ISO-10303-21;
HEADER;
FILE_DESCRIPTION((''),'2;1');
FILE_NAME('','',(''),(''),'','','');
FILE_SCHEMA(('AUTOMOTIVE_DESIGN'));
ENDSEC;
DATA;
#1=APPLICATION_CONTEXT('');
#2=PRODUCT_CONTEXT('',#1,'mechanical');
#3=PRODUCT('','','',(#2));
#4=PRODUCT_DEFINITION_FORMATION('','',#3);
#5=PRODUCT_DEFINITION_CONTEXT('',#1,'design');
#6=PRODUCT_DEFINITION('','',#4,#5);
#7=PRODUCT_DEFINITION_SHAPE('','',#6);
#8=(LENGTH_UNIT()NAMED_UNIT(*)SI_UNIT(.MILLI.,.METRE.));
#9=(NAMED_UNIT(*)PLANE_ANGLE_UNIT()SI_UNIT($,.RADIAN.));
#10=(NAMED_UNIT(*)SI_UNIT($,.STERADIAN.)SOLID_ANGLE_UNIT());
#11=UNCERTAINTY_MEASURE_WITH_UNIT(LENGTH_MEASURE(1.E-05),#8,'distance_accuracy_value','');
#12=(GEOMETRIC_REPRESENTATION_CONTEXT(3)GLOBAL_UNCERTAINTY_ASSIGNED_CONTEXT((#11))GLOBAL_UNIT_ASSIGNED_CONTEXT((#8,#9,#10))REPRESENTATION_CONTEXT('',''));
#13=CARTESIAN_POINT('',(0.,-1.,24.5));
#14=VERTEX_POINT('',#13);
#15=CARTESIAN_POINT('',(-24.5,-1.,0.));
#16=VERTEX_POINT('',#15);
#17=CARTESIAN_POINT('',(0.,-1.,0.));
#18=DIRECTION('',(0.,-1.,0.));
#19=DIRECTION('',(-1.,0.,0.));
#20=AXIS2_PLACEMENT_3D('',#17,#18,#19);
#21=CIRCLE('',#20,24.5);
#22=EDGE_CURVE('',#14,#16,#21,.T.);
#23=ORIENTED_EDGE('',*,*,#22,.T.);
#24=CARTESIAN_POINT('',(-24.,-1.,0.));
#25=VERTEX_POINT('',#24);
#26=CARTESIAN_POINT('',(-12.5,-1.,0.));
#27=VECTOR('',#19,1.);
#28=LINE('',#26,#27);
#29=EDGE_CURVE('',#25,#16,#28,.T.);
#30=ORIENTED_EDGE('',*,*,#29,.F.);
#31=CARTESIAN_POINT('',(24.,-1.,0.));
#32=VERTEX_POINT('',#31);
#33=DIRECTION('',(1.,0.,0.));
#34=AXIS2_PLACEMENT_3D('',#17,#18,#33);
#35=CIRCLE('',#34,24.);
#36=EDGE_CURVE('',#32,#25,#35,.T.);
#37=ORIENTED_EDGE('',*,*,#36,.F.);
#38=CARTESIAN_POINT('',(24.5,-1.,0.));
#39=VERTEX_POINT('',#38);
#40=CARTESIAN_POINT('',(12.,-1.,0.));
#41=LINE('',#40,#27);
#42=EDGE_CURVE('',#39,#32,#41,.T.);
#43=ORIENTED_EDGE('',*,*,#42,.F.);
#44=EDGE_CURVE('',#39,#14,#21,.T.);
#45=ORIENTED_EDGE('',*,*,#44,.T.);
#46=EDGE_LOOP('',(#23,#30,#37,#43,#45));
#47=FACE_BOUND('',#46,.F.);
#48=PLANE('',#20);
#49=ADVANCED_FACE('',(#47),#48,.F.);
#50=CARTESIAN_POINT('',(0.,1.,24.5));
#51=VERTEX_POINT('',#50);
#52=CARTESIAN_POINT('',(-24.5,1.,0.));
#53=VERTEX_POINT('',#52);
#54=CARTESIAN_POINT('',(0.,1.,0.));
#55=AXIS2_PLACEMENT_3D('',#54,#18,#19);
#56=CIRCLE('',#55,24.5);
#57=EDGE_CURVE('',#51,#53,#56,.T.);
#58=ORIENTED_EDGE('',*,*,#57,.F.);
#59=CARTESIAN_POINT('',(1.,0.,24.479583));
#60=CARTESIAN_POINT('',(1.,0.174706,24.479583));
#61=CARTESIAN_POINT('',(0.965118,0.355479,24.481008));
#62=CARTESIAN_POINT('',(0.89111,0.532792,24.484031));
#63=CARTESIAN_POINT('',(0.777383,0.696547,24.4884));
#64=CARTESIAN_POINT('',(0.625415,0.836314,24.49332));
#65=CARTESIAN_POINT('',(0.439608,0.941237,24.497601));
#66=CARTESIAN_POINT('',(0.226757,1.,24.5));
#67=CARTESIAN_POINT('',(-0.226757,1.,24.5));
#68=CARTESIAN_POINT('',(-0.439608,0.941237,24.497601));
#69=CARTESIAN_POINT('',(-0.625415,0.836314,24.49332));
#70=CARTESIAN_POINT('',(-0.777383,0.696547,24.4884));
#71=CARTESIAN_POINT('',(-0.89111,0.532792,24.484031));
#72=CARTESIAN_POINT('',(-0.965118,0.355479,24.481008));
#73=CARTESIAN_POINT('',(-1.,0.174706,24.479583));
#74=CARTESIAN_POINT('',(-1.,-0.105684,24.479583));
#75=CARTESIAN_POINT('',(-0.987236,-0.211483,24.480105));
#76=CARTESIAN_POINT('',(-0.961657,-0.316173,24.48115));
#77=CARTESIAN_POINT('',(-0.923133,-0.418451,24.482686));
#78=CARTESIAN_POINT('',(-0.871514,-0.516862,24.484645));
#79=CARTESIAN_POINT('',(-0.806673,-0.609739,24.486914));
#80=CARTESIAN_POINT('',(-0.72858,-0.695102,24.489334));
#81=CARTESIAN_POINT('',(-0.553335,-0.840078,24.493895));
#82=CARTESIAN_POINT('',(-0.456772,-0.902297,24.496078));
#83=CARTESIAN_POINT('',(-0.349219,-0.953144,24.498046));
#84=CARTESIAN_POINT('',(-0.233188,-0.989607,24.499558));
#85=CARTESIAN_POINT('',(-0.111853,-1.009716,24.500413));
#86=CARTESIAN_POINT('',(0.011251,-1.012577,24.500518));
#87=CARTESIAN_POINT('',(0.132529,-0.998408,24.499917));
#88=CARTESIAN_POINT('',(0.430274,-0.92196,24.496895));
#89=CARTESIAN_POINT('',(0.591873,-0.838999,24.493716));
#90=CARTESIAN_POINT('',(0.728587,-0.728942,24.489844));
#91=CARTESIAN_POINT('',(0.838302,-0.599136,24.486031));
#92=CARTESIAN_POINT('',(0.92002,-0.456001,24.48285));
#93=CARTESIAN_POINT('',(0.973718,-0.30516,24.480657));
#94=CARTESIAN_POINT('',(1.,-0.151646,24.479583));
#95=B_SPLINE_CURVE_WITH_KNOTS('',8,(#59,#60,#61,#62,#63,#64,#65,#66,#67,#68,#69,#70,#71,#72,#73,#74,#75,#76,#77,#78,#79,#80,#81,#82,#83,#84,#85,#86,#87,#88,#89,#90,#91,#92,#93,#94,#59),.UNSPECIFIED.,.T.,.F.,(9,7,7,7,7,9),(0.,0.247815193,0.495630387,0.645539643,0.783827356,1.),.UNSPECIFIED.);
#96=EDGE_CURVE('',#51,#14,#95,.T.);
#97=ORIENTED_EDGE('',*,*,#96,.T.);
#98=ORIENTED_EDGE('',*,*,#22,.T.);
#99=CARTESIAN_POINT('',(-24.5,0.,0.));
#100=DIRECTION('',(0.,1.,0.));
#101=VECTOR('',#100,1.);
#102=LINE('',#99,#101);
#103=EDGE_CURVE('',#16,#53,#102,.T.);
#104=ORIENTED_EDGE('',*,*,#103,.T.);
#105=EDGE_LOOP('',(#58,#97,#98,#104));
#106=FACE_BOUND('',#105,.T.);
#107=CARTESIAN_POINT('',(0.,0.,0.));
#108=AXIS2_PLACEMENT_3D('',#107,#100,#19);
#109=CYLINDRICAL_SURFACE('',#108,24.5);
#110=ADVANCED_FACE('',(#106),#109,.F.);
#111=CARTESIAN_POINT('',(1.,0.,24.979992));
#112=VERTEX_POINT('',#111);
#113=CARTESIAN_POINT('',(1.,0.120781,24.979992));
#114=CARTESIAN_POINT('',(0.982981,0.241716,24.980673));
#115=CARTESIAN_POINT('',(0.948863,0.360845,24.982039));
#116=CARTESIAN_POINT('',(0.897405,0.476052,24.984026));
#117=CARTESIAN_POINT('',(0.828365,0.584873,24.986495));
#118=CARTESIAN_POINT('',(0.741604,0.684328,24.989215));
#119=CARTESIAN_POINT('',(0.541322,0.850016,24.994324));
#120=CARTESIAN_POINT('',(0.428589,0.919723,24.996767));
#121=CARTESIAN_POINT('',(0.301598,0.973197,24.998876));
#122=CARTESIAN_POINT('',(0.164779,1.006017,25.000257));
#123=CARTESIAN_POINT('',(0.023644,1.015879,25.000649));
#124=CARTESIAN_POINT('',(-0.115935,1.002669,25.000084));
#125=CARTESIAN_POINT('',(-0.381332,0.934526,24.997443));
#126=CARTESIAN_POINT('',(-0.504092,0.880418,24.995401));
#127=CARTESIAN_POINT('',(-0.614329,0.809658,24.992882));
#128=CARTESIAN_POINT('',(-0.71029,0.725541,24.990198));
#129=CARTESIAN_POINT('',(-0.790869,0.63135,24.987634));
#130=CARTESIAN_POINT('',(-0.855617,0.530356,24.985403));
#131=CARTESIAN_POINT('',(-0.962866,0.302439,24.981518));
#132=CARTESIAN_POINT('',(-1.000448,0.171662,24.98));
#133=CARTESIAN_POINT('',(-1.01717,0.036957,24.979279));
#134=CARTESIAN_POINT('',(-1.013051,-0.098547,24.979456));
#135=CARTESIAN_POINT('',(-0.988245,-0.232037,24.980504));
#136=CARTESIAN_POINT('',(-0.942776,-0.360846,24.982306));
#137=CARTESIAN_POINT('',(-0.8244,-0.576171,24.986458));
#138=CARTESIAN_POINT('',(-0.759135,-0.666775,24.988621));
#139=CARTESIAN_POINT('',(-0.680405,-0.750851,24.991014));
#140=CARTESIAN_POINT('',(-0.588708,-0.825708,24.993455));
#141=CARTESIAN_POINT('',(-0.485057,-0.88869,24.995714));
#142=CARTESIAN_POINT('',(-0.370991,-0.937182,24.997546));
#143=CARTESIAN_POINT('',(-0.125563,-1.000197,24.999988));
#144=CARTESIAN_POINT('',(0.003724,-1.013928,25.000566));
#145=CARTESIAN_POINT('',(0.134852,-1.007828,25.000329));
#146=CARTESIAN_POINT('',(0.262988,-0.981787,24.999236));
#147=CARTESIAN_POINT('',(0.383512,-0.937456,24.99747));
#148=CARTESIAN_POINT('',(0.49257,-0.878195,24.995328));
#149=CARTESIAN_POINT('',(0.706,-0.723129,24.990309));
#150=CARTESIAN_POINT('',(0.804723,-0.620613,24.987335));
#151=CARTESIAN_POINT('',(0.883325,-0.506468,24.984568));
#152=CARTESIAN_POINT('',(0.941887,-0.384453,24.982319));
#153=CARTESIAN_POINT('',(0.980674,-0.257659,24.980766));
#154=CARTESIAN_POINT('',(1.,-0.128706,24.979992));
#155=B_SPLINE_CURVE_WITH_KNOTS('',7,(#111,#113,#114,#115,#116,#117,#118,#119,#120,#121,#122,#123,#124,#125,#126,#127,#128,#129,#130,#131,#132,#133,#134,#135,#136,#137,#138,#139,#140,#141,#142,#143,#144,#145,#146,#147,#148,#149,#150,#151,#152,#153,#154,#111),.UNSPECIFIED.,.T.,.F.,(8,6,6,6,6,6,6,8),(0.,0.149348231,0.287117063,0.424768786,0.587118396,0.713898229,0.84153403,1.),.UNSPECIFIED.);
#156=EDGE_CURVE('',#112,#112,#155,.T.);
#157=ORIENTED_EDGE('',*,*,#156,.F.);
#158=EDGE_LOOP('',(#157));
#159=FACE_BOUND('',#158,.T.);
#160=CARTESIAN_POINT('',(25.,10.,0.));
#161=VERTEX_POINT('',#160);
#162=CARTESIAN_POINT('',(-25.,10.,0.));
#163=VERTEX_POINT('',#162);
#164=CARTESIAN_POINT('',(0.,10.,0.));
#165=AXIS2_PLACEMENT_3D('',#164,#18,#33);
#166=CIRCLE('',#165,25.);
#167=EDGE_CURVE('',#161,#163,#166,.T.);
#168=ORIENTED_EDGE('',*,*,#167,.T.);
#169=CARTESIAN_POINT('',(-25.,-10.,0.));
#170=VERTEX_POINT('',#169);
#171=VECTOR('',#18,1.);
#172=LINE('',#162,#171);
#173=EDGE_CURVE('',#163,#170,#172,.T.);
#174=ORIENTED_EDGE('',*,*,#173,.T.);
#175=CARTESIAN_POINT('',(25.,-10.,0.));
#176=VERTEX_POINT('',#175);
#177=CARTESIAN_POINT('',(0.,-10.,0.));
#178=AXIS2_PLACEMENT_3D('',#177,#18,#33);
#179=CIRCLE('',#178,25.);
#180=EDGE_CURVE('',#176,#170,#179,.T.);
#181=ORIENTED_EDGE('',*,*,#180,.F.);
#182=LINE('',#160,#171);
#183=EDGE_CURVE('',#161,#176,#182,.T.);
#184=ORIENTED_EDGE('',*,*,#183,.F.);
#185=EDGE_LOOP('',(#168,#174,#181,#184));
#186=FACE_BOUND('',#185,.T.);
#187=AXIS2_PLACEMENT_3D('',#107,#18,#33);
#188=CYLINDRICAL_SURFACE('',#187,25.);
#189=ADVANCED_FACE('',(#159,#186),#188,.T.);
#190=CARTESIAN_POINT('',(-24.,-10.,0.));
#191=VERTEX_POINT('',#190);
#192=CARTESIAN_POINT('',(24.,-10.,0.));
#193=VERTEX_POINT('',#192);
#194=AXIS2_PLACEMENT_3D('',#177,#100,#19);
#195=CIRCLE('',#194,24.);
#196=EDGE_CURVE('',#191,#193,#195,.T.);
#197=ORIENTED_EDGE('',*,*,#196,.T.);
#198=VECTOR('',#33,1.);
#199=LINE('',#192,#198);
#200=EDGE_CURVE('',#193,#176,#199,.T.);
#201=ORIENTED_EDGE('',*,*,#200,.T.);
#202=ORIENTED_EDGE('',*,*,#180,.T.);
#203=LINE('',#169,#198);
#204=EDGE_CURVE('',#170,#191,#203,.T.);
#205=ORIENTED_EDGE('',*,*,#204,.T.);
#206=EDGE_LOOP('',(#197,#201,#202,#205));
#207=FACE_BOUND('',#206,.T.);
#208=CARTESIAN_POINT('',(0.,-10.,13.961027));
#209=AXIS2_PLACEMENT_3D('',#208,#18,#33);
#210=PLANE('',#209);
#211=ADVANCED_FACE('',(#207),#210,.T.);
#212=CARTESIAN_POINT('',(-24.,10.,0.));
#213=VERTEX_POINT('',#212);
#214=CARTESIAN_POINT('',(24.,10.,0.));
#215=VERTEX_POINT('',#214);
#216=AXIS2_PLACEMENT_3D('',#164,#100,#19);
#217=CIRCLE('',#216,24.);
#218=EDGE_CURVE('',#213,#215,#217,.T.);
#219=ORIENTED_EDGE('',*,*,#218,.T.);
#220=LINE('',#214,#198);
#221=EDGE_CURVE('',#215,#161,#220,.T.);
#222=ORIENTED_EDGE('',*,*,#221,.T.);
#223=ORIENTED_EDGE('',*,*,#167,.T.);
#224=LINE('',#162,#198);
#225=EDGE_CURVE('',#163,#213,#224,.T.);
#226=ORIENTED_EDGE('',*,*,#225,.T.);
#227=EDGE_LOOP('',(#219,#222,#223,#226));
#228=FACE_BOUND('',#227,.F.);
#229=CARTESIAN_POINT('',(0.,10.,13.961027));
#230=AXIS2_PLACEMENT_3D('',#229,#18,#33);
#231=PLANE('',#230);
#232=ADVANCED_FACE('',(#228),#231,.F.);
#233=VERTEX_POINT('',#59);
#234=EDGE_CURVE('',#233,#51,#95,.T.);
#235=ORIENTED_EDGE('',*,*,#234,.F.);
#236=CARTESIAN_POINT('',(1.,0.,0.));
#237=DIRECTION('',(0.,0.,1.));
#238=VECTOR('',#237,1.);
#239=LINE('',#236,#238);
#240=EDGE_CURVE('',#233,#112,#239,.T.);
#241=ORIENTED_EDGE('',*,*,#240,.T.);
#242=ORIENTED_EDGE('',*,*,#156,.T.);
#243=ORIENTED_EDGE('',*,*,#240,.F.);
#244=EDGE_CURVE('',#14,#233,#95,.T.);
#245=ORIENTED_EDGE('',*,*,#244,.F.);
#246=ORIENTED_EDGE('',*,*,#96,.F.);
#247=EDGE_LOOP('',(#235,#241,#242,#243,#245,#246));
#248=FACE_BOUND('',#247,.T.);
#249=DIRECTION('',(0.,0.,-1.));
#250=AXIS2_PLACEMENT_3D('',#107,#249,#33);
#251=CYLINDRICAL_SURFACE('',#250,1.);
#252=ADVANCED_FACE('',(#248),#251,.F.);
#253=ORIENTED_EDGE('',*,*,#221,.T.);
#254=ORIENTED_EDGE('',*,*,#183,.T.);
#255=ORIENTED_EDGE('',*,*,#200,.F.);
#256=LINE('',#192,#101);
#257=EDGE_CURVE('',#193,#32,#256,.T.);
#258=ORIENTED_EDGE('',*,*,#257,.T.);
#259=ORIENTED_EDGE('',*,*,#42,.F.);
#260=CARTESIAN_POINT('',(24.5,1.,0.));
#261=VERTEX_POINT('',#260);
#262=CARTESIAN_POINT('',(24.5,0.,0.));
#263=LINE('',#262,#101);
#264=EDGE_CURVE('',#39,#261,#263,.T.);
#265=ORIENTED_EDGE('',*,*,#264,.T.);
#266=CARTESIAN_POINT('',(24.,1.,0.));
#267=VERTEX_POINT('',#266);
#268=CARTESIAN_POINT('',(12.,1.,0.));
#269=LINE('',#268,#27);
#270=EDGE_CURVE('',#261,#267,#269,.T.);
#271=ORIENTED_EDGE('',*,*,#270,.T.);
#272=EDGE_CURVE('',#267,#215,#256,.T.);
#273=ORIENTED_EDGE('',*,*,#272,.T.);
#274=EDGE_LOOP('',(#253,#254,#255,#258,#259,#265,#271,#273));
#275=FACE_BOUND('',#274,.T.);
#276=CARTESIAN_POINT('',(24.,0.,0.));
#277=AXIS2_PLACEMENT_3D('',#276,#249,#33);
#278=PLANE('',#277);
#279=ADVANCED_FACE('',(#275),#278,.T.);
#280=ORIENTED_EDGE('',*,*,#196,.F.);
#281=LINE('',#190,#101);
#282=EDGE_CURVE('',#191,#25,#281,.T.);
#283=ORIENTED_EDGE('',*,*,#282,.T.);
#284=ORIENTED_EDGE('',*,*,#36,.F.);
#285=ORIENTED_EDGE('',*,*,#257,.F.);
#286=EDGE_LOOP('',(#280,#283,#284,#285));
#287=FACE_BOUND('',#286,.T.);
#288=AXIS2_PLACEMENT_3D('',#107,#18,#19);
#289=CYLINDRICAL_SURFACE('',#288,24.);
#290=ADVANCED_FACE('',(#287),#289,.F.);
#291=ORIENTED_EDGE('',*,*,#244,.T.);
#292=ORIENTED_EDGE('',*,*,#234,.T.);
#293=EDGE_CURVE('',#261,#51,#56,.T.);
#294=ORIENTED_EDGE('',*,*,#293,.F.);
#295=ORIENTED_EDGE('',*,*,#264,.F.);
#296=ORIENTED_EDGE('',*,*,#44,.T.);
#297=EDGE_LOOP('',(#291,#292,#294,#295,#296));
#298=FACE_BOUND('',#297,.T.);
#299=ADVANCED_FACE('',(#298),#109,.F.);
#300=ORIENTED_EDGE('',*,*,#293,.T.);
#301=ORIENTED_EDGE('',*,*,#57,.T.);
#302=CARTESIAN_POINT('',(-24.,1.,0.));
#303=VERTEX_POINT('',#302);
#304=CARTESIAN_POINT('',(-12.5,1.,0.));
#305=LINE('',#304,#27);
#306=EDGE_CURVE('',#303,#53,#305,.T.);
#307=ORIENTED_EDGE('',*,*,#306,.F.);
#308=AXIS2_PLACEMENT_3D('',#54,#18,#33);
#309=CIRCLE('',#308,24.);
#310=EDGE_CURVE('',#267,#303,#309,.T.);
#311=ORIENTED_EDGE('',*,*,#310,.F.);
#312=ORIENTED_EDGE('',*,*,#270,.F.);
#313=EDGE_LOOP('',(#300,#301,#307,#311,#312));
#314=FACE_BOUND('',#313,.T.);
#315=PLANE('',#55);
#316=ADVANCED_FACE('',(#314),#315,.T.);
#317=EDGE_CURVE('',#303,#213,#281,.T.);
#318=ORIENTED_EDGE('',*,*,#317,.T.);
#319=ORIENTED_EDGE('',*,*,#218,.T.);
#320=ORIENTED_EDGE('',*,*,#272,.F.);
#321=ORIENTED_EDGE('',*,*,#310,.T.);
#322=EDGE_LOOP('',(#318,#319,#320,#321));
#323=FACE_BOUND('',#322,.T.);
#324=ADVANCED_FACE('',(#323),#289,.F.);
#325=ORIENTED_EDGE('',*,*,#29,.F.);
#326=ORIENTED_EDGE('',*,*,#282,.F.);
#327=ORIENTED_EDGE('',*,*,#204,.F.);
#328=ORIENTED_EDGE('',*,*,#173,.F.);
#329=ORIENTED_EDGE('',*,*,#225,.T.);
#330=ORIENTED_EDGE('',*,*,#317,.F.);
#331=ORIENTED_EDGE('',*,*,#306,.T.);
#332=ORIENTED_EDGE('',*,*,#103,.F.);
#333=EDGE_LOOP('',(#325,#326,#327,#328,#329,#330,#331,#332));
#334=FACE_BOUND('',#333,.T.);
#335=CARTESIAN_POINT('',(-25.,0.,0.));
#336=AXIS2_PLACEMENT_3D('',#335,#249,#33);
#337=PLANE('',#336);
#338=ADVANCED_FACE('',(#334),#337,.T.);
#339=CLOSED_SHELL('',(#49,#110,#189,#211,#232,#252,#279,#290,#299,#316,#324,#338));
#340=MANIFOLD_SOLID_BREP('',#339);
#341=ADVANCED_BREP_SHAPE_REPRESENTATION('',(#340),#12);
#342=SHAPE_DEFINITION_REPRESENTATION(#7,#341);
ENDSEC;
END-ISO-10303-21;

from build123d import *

# Parameters (mm, degrees)
F1_DEPTH = 10
F2_W     = 0.5
F2_H     = 2
F4_R     = 1
F5_DEPTH = 25.001


with BuildPart() as f1:
    # F0 (on Front) → F1 (new body, symmetric)
    with BuildSketch(Plane.XZ):
        with BuildLine():
            Line((24, 0), (25, 0))
            ThreePointArc((25, 0), (0, 25), (-25, 0))
            Line((-25, 0), (-24, 0))
            ThreePointArc((-24, 0), (0, 24), (24, 0))
        make_face()
    extrude(amount=F1_DEPTH, both=True)

    # F2 (on Top) → F3 (revolve, cut)
    with BuildSketch(Plane.XY):
        with Locations((-24.25, 0)):
            Rectangle(F2_W, F2_H)
    revolve(axis=Axis((0, 0, 0), (0, -1, 0)), mode=Mode.SUBTRACT)

    # F4 (on Top) → F5 (cut, through all)
    with BuildSketch(Plane.XY):
        Circle(F4_R)
    extrude(amount=F5_DEPTH, mode=Mode.SUBTRACT)


solid = f1.part
